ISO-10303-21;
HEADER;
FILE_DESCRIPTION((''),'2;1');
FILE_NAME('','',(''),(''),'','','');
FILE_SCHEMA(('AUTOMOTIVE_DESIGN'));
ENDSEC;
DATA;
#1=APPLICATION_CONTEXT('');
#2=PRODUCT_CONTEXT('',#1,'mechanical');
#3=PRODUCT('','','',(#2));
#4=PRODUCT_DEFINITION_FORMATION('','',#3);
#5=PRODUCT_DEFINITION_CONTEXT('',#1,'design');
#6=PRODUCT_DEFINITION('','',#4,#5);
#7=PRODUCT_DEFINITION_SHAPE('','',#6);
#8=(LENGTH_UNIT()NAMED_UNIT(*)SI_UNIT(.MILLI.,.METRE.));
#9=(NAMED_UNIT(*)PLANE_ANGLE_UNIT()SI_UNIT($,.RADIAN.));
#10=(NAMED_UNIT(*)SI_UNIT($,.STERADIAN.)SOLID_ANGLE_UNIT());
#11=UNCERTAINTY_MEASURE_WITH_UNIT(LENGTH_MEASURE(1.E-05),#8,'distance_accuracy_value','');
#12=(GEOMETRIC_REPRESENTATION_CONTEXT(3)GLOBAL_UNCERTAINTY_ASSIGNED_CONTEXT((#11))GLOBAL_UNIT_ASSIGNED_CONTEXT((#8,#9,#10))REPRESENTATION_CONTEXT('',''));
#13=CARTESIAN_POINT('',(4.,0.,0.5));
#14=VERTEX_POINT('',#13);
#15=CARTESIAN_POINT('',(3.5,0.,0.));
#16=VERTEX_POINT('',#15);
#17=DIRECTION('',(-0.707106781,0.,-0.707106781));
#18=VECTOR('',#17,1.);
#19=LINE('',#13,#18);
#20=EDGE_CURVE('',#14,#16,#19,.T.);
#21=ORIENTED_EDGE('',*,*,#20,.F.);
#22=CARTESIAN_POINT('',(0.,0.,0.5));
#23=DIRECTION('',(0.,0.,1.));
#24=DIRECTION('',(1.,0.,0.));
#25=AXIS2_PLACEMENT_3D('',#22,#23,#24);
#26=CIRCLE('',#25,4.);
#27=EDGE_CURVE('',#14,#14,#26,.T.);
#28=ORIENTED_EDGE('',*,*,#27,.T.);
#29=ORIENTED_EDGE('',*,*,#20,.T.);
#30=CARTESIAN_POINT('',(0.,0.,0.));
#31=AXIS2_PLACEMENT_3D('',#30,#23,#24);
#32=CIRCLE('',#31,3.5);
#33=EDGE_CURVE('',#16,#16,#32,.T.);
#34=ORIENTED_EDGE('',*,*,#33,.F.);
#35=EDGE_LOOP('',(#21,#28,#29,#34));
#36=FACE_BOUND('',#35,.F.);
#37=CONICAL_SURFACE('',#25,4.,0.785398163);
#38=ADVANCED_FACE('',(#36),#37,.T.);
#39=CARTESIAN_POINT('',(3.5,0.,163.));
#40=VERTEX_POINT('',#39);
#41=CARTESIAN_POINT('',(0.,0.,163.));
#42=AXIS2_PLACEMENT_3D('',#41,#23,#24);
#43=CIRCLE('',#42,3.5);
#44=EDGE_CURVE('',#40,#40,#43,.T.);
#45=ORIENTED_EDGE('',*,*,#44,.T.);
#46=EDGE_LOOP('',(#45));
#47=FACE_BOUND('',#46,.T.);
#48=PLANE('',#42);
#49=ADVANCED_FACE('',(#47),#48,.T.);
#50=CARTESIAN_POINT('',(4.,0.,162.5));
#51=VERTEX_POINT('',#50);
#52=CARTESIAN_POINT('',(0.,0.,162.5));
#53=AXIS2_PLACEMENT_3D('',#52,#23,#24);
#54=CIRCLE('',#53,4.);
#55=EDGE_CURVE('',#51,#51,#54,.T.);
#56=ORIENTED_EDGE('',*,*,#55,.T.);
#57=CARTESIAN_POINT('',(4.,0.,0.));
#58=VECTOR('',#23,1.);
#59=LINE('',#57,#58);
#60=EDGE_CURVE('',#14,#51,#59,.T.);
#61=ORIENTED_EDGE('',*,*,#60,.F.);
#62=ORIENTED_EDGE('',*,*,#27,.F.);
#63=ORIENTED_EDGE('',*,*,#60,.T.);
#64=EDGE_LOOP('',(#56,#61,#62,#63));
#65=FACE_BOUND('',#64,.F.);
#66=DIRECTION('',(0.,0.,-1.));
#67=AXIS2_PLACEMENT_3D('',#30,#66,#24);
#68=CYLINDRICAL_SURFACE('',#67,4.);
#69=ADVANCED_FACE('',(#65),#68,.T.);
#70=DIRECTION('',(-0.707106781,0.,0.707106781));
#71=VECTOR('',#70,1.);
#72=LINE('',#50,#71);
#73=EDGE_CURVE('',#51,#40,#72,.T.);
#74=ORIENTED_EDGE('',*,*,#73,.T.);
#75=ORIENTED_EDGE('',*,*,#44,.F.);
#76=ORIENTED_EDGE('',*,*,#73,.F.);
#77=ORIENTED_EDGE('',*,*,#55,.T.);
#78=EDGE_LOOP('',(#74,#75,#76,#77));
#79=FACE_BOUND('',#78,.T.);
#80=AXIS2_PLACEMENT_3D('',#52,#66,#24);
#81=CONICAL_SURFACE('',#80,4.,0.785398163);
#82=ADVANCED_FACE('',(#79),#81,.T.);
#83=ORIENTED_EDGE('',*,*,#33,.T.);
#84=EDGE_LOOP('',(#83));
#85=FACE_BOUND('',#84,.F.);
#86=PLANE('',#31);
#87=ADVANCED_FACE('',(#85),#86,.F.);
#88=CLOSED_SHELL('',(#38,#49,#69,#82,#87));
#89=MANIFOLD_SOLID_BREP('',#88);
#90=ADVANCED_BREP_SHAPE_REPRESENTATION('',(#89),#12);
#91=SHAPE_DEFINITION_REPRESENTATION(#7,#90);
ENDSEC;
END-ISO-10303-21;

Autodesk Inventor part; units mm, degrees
ref_plane "YZ Plane" through (0, 0, 0) normal (1, 0, 0) x (0, 1, 0)
ref_plane "XZ Plane" through (0, 0, 0) normal (0, 1, 0) x (-1, 0, 0)
ref_plane "XY Plane" through (0, 0, 0) normal (0, 0, 1) x (1, 0, 0)
sketch "Sketch1" plane through (0, 0, 0) normal (0, 0, 1) x (1, 0, 0)
  circle A0 centre (0, 0) radius 4
  dimension "d0" = 8
extrude "Extrusion1" add sketch "Sketch1" along normal blind 163
chamfer "Chamfer1" distance 0.5 angle 45 2 edges at (-4, 0, 163) (-4, 0, 0)
properties part number "0005-10-1018 tija 8" material "Stainless Steel"
